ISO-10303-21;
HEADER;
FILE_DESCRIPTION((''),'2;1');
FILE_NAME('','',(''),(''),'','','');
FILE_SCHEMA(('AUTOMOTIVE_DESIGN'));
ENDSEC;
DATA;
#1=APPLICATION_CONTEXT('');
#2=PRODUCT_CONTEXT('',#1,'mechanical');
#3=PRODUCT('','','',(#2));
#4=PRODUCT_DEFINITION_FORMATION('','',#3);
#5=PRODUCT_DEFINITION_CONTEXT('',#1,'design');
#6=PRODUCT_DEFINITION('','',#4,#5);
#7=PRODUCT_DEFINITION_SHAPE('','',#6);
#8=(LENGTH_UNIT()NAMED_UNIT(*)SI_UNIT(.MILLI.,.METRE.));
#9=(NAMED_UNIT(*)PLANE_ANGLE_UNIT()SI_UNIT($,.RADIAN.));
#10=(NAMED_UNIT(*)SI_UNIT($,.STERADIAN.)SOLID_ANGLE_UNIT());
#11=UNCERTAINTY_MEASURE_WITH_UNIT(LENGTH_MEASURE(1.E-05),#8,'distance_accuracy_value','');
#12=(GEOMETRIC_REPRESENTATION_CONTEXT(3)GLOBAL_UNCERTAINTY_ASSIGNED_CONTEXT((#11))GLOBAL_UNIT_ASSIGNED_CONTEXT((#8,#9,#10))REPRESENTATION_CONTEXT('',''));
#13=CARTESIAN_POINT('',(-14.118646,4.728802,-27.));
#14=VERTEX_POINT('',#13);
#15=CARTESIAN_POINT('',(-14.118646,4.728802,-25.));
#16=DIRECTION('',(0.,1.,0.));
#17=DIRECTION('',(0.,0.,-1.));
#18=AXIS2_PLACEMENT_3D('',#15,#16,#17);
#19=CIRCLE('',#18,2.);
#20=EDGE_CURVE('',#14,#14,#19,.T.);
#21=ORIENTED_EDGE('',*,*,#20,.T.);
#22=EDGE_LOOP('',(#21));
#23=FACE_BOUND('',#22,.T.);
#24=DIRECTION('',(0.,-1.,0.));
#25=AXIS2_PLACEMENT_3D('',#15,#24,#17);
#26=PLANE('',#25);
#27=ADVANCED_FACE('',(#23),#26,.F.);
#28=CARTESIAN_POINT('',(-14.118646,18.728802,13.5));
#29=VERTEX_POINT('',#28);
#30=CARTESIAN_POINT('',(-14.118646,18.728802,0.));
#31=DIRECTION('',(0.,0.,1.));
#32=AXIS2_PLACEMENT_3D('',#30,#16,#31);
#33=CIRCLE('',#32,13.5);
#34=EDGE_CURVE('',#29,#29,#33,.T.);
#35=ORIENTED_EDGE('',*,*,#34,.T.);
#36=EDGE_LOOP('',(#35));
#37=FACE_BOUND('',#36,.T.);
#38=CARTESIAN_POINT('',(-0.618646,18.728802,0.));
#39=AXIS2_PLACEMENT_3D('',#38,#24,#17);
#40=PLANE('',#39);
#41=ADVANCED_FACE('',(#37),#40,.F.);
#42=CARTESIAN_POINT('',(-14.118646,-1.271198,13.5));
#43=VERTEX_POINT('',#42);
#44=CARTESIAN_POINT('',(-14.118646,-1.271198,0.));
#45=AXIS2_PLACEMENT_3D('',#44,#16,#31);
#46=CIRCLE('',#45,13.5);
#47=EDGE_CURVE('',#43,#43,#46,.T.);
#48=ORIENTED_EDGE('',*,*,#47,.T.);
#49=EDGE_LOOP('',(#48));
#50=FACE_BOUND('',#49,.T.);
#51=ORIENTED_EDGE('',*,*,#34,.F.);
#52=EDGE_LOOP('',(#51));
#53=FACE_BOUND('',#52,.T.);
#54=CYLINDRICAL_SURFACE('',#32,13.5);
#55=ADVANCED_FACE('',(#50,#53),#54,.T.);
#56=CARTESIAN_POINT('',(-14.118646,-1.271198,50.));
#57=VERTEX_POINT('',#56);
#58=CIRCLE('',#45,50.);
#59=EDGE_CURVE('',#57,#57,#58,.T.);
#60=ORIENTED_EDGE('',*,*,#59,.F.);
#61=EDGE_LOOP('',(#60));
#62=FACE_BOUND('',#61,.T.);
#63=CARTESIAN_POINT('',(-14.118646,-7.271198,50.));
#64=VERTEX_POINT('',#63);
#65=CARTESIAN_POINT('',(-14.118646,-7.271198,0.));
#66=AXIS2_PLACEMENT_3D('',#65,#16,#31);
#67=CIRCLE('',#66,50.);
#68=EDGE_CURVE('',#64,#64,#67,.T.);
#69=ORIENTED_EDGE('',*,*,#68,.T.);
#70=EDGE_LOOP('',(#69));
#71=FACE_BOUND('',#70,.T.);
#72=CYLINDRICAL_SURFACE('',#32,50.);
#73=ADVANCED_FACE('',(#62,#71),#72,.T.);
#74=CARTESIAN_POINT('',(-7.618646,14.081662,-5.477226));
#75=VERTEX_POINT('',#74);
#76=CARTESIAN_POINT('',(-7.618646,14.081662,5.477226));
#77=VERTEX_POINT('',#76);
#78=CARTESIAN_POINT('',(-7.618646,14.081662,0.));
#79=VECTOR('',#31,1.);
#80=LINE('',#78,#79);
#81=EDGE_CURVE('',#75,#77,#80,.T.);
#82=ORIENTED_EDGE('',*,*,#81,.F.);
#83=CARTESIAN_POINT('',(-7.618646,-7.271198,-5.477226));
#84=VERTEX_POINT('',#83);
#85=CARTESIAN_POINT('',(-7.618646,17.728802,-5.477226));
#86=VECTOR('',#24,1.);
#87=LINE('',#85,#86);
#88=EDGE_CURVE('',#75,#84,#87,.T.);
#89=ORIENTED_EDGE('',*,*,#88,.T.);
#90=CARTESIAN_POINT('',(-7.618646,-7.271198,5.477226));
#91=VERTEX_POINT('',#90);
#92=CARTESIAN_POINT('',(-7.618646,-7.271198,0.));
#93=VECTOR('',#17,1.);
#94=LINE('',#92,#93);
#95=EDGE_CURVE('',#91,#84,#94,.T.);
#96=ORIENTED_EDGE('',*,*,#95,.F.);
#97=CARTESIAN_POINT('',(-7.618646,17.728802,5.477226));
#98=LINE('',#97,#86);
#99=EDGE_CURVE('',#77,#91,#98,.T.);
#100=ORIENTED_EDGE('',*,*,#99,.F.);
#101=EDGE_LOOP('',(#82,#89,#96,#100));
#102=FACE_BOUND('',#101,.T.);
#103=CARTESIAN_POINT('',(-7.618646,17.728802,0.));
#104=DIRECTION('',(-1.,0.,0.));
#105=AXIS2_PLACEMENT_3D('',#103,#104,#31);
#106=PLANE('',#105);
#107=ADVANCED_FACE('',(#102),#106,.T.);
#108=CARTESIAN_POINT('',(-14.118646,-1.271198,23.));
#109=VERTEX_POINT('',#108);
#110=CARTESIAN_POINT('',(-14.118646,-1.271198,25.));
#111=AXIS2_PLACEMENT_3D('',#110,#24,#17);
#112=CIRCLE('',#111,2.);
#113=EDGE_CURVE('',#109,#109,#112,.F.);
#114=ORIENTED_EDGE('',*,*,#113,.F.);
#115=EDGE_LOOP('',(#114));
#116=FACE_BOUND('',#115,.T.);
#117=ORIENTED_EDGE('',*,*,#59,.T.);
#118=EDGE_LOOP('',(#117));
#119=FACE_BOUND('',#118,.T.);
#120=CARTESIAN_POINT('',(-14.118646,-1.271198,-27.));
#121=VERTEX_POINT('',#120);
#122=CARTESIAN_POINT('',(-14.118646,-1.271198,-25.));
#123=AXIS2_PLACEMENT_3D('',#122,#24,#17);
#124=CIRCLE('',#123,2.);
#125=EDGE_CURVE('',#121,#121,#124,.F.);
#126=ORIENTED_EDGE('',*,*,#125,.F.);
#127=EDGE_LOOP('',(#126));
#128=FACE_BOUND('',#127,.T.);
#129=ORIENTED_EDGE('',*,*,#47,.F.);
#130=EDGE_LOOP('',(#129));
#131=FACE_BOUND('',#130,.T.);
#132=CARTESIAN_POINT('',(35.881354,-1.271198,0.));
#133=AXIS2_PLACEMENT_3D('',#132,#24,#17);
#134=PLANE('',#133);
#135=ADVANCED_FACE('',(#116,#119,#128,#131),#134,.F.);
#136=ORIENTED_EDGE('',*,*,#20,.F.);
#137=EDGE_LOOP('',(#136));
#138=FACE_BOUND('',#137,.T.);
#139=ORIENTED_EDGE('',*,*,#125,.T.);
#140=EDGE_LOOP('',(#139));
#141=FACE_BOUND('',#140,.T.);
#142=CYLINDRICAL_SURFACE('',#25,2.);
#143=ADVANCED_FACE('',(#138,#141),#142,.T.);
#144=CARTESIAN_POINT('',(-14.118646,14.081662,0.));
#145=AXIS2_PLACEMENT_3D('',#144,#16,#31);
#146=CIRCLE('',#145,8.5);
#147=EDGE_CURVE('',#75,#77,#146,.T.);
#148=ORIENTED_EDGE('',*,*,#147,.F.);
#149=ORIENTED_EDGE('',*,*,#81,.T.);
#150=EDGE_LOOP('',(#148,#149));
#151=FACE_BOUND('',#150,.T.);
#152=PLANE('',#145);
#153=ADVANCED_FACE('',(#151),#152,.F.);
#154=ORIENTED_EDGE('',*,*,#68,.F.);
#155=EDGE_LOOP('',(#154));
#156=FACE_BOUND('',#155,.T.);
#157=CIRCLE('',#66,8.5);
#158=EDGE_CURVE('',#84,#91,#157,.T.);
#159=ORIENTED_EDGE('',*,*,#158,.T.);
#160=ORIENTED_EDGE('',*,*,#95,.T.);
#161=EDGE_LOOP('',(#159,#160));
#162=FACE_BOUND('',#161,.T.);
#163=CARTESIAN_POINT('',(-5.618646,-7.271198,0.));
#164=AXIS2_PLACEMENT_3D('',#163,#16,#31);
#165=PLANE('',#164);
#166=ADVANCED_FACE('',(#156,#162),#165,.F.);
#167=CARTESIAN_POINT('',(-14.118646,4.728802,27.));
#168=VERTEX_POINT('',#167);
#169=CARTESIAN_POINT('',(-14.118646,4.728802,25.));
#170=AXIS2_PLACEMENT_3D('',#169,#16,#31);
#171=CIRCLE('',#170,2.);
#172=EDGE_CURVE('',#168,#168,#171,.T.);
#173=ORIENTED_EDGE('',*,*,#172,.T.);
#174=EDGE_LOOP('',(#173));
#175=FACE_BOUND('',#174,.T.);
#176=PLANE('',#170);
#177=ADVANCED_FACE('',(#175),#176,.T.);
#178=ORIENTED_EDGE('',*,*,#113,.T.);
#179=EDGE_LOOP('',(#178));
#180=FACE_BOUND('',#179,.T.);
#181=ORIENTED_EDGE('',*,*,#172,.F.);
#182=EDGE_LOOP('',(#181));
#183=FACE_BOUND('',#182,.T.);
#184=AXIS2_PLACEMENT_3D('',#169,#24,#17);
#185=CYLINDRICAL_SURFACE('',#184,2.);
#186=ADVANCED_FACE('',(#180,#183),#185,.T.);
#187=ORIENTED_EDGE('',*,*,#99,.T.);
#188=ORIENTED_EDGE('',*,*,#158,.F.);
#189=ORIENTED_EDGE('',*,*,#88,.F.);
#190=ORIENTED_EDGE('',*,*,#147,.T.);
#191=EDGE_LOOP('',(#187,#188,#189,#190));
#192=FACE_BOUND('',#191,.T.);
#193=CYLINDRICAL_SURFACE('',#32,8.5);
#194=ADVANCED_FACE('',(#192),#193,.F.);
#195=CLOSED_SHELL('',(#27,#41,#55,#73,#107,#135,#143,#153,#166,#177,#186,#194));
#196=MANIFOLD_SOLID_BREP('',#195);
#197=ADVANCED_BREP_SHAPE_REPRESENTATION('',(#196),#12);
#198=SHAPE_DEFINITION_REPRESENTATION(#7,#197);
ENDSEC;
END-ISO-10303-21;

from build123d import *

# Parameters (mm, degrees)
ESQUISSE2_R        = 2
BOSS_EXTRU_1_DEPTH = 6
BOSS_EXTRU_2_DEPTH = 25


with BuildPart() as part:
    # Esquisse1 → Révolution4 (revolve)
    with BuildSketch(Plane.XY):
        Polygon((-5.618645861, -7.271198097), (35.881354139, -7.271198097), (35.881354139, -1.271198097), (-0.618645861, -1.271198097), (-0.618645861, 18.728801903), (-14.118645861, 18.728801903), (-14.118645861, 14.081661898), (-5.618645861, 14.081661898), align=None)
    revolve(axis=Axis((-14.118645861, 18.728801903, 0), (0, -1, 0)))

    # Esquisse2 → Boss.-Extru.1 (add)
    with BuildSketch(Plane(origin=(0, -1.271198097, 0), x_dir=(1, 0, 0), z_dir=(0, 1, 0))):
        with Locations((-14.118645861, -25)):
            Circle(ESQUISSE2_R)
        with Locations((-14.118645861, 25)):
            Circle(ESQUISSE2_R)
    extrude(amount=BOSS_EXTRU_1_DEPTH)

    # Esquisse3 → Boss.-Extru.2 (add)
    with BuildSketch(Plane.XZ.offset(7.271198097)):
        with BuildLine():
            ThreePointArc((-7.618645861, -5.477225575), (-6.13428615, -2.915475947), (-5.618645861, 0))
            ThreePointArc((-5.618645861, 0), (-6.13428615, 2.915475947), (-7.618645861, 5.477225575))
            Line((-7.618645861, 5.477225575), (-7.618645861, 0))
            Line((-7.618645861, 0), (-7.618645861, -5.477225575))
        make_face()
    extrude(amount=-BOSS_EXTRU_2_DEPTH)


solid = part.part
